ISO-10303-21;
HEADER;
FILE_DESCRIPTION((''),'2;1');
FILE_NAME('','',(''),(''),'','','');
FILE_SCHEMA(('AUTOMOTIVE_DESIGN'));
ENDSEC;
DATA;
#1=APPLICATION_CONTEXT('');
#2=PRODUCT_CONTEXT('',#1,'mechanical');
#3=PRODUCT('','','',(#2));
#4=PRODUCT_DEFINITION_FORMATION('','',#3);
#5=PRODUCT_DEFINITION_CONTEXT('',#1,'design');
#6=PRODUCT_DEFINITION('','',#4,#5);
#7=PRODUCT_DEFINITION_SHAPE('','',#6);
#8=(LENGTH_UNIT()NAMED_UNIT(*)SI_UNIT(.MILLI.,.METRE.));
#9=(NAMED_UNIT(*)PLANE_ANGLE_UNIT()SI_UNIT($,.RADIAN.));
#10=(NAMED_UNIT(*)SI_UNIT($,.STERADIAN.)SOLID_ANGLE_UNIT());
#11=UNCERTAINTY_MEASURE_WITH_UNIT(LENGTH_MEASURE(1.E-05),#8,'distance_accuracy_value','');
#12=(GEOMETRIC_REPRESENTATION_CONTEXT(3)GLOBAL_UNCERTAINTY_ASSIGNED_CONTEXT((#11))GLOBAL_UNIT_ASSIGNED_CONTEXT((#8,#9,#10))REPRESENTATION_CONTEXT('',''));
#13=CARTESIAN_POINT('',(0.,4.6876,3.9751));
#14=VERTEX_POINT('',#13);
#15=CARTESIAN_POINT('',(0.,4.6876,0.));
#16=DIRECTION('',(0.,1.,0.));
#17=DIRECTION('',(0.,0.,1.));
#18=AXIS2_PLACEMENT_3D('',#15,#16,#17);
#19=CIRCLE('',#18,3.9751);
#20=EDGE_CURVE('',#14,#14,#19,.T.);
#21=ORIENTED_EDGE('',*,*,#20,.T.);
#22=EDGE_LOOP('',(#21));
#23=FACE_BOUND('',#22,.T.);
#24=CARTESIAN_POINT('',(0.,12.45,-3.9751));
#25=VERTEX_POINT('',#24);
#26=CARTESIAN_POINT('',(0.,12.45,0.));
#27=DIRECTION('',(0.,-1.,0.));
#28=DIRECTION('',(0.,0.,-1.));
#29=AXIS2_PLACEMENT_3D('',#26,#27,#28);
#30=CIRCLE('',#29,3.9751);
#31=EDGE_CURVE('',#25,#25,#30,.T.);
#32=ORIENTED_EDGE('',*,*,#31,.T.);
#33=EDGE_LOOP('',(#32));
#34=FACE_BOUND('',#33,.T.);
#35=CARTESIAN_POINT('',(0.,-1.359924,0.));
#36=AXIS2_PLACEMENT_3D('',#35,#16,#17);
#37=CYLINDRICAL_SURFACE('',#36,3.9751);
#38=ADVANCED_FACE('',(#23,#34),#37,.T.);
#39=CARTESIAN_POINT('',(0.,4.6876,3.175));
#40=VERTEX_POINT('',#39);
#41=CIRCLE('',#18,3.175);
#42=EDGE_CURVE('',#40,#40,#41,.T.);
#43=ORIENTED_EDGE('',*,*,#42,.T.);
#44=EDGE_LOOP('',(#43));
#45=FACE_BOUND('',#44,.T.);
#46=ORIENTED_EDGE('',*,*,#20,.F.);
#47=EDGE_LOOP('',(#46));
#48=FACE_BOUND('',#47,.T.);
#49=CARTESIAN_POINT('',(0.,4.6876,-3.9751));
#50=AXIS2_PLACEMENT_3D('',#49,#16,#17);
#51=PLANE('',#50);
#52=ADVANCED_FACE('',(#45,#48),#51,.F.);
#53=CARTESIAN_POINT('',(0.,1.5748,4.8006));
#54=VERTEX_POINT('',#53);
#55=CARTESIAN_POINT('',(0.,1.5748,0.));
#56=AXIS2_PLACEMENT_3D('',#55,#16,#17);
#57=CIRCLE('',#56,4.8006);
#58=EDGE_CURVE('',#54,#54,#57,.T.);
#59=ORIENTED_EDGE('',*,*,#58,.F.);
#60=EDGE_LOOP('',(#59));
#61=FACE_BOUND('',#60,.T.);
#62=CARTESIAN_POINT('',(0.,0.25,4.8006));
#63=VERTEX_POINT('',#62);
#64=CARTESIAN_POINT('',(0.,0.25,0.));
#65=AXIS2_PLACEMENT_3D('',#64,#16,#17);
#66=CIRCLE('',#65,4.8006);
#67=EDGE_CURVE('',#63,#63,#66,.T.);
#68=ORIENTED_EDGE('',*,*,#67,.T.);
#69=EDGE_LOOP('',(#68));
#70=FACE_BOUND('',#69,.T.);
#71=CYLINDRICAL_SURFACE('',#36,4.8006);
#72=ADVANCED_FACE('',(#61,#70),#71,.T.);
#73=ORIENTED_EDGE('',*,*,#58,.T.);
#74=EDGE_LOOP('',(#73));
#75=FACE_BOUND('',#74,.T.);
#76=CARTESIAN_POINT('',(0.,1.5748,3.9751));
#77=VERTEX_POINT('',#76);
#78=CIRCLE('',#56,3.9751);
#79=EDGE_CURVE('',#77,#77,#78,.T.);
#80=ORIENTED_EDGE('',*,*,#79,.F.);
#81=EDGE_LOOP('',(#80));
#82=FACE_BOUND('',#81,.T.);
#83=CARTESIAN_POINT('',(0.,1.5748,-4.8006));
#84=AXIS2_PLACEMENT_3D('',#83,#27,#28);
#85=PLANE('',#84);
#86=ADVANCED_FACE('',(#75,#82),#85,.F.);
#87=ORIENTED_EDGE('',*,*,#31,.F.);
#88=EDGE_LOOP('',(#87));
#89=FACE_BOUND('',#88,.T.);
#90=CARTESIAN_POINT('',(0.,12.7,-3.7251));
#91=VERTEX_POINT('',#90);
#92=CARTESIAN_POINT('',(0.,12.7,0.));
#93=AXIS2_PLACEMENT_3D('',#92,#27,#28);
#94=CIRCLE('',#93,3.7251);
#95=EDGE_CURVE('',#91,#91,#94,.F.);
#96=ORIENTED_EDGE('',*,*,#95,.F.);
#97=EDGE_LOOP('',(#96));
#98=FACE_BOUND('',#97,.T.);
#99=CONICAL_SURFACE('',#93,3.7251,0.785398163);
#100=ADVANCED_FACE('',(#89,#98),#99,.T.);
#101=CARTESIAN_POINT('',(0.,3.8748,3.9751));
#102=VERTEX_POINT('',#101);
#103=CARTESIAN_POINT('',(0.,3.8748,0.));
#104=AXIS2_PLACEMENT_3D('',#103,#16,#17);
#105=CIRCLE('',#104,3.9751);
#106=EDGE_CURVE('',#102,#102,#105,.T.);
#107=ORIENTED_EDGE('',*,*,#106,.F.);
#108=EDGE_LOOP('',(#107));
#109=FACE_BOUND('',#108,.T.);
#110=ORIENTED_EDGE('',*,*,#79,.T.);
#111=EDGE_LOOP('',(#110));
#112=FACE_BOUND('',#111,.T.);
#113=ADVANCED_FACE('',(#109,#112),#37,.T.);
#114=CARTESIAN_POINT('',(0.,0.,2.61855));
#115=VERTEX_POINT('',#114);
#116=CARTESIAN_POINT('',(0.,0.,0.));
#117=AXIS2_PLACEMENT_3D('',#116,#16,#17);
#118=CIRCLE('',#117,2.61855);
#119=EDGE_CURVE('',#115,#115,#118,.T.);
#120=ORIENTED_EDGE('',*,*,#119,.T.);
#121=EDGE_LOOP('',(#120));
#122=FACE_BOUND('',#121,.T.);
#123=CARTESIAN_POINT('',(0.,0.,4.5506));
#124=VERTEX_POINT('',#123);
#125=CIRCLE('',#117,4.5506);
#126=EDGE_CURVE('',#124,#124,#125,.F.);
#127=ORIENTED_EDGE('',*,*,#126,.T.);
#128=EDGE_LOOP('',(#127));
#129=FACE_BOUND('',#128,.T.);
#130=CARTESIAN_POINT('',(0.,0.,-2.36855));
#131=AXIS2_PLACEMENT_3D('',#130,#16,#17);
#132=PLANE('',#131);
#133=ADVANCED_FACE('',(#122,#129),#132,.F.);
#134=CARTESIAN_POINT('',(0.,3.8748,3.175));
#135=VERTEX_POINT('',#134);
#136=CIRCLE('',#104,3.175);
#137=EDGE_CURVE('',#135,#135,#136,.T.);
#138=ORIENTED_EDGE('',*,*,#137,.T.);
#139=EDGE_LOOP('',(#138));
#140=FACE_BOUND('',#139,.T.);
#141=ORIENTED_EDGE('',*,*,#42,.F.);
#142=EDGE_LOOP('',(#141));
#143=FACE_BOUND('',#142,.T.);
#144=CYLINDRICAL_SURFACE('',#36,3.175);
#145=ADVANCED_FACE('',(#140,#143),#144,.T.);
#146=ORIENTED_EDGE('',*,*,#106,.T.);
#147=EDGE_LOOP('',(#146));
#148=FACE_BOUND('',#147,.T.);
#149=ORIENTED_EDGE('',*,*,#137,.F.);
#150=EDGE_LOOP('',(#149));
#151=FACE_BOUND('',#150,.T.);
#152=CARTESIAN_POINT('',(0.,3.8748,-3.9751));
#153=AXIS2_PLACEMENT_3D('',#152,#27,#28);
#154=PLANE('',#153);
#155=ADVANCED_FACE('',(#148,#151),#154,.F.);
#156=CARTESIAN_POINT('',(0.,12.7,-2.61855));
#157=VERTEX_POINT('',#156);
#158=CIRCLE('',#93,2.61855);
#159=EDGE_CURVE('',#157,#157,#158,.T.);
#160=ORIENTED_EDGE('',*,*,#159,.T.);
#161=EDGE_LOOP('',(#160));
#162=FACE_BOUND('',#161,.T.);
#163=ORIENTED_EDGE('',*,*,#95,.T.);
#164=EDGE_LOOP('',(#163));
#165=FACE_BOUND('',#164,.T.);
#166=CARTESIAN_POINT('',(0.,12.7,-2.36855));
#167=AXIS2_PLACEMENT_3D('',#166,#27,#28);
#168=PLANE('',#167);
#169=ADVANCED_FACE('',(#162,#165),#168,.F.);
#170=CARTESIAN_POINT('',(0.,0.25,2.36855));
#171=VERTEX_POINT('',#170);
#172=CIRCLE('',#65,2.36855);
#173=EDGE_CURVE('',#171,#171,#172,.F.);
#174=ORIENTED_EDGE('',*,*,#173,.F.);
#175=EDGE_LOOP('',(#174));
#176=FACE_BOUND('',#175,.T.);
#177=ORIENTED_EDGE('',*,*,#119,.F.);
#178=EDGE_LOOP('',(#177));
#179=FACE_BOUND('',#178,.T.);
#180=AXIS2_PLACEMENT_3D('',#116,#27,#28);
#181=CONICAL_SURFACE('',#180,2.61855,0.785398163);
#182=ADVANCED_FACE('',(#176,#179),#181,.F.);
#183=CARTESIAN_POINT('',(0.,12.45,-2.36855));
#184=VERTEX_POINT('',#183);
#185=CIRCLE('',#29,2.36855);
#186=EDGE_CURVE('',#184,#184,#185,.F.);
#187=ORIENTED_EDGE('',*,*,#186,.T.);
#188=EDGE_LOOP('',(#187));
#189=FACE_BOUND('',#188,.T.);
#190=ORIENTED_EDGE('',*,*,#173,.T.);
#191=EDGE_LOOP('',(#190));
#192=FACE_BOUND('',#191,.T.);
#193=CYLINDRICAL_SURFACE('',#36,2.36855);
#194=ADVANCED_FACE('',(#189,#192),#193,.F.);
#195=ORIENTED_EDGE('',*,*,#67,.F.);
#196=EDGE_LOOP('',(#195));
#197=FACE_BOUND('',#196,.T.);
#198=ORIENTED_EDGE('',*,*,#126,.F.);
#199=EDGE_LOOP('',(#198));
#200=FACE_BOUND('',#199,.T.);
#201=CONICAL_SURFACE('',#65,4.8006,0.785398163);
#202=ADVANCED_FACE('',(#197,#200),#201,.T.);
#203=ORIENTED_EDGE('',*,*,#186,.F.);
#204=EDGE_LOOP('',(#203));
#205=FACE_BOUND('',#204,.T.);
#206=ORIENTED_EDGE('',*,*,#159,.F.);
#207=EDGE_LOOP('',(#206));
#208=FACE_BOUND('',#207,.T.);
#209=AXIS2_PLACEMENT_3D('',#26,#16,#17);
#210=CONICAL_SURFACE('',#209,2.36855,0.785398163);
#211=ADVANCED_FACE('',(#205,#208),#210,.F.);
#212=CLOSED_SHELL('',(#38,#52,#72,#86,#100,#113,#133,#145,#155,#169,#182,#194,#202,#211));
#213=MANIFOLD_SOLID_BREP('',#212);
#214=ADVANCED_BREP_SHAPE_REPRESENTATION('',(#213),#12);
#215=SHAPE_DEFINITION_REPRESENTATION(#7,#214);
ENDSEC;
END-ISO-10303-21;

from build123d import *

# Parameters (mm, degrees)
CHAMFER1_SIZE = 0.25


with BuildPart() as part:
    # Sketch2 → Revolve1 (revolve)
    with BuildSketch(Plane(origin=(0, 0, 0), x_dir=(0, 0, -1), z_dir=(1, 0, 0))):
        Polygon((2.36855, 12.7), (3.9751, 12.7), (3.9751, 4.6876), (3.175, 4.6876), (3.175, 3.8748), (3.9751, 3.8748), (3.9751, 1.5748), (4.8006, 1.5748), (4.8006, 0), (2.36855, 0), align=None)
    revolve(axis=Axis((0, -1.359924362, 0), (0, -1, 0)))

    # Chamfer1
    chamfer1_edges = [part.edges().sort_by_distance(p)[0] for p in [
        (0, 0, 4.8006),
        (0, 0, 2.36855),
        (0, 12.7, 2.36855),
        (0, 12.7, 3.9751),
    ]]
    chamfer(chamfer1_edges, length=CHAMFER1_SIZE)


solid = part.part
